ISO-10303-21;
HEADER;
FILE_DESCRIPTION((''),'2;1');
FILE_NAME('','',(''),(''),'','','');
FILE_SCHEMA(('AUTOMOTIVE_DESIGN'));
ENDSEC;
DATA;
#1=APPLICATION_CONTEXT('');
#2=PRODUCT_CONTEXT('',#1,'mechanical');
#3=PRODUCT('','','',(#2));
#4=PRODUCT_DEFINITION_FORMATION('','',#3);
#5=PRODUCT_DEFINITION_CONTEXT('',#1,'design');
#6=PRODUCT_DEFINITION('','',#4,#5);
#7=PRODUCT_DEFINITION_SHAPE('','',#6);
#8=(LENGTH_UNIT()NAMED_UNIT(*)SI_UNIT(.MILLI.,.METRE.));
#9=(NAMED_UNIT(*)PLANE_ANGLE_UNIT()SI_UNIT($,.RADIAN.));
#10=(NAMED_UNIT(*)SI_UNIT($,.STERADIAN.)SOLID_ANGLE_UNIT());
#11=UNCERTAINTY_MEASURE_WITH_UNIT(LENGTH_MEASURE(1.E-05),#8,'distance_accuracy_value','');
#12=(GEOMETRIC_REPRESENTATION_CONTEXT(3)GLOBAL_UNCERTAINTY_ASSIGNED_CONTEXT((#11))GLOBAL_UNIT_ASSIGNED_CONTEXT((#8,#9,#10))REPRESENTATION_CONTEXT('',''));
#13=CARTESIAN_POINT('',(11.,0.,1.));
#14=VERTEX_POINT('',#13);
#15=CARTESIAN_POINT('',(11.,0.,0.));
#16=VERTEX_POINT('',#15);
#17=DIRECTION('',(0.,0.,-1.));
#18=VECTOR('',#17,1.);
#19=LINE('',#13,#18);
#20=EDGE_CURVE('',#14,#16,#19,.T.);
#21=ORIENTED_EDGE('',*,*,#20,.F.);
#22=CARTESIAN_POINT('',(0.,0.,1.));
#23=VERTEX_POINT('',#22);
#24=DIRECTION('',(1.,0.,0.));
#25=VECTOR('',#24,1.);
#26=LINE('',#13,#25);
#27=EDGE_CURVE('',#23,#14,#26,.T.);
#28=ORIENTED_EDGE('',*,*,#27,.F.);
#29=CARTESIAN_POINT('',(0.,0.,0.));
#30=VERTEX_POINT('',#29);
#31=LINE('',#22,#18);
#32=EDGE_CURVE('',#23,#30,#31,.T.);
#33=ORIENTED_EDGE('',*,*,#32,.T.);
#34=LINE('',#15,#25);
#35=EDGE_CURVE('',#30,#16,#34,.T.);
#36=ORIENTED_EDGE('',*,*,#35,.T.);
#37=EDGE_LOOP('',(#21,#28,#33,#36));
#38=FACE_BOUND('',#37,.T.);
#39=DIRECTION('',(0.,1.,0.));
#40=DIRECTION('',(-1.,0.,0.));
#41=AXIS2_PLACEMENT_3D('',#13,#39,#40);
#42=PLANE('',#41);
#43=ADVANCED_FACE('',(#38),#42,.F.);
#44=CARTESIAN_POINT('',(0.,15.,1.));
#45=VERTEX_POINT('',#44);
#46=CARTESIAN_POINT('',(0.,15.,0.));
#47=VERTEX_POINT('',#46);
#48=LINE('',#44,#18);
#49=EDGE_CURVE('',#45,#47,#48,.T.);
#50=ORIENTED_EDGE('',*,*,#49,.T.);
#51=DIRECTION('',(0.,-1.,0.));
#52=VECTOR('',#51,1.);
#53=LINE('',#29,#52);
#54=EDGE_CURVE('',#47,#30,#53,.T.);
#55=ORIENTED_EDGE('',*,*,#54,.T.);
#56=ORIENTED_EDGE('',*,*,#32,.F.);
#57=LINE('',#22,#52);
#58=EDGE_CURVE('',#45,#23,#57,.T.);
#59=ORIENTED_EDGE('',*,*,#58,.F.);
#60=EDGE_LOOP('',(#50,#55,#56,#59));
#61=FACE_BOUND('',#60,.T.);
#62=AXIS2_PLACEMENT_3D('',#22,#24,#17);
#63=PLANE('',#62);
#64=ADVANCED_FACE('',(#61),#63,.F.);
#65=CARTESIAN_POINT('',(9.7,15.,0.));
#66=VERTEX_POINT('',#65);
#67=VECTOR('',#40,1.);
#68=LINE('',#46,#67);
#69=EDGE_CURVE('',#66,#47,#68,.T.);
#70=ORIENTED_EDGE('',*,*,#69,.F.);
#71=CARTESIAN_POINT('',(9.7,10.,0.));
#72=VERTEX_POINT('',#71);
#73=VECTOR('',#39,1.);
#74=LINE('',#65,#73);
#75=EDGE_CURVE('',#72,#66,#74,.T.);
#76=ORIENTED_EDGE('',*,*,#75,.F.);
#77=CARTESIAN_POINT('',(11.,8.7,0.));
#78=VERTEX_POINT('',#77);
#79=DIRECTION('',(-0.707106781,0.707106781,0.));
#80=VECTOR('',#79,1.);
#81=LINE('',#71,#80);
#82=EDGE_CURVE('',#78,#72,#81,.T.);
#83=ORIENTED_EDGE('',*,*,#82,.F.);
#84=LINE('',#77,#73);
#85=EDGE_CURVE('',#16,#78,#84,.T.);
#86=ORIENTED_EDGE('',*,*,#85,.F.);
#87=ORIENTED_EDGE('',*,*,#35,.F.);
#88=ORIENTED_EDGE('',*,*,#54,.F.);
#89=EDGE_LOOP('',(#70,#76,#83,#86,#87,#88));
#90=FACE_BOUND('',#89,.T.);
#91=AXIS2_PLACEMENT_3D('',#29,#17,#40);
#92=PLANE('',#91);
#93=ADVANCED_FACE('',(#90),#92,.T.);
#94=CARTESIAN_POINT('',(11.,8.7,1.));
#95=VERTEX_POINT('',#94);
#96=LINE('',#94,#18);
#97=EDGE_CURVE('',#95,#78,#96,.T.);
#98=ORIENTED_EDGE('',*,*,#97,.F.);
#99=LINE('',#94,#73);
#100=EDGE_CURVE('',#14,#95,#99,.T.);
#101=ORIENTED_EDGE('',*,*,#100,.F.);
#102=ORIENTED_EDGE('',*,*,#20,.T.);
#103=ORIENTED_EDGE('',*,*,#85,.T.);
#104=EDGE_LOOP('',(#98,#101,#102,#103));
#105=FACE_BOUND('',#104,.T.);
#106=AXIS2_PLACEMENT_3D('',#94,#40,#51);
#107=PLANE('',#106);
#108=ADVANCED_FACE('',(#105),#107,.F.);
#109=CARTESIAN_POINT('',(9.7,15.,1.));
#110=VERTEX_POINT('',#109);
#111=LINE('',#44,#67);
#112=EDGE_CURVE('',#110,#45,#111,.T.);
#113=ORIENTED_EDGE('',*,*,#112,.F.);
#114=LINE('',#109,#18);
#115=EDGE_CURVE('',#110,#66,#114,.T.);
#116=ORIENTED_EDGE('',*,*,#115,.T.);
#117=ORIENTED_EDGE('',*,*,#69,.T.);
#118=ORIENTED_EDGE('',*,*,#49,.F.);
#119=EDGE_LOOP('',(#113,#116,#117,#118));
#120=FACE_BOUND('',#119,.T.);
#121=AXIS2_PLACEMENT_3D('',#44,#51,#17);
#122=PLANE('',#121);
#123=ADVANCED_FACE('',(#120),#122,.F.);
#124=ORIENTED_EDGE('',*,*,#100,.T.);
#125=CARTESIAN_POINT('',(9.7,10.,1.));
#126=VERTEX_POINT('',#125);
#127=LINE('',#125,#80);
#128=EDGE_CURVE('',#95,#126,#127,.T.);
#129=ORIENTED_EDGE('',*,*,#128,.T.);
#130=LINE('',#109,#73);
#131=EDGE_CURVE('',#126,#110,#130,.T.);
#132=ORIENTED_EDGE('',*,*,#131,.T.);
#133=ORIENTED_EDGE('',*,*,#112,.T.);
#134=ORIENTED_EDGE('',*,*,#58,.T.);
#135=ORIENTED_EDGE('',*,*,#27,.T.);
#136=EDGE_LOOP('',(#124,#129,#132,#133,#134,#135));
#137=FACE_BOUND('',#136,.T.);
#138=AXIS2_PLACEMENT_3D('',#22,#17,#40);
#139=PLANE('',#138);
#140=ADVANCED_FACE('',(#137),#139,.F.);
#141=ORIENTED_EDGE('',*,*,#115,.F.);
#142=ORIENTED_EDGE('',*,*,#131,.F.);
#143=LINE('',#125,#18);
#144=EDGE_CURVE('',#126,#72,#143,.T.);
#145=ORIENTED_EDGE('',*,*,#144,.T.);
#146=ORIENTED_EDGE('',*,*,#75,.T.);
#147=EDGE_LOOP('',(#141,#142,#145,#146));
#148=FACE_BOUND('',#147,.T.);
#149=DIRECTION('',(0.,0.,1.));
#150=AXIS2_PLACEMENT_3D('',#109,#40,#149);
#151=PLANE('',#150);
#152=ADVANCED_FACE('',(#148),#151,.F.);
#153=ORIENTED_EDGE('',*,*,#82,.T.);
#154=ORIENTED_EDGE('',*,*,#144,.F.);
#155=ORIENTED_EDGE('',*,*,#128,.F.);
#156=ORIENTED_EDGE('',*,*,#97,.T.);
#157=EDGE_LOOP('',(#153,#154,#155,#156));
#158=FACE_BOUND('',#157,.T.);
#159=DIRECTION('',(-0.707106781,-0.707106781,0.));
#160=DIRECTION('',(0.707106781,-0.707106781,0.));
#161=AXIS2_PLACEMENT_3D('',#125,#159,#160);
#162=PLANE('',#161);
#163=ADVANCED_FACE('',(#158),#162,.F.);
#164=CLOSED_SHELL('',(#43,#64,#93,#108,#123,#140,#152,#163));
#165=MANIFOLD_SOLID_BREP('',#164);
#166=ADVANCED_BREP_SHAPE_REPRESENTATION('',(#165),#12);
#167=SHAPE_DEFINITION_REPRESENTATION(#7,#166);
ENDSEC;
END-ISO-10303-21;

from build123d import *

# Parameters (mm, degrees)
SALIENTE_EXTRUIR1_DEPTH = 1


with BuildPart() as part:
    # Croquis1 → Saliente-Extruir1 (new body)
    with BuildSketch(Plane.XY):
        Polygon((0, 0), (0, 15), (9.7, 15), (9.7, 10), (11, 8.7), (11, 0), align=None)
    extrude(amount=SALIENTE_EXTRUIR1_DEPTH)


solid = part.part
